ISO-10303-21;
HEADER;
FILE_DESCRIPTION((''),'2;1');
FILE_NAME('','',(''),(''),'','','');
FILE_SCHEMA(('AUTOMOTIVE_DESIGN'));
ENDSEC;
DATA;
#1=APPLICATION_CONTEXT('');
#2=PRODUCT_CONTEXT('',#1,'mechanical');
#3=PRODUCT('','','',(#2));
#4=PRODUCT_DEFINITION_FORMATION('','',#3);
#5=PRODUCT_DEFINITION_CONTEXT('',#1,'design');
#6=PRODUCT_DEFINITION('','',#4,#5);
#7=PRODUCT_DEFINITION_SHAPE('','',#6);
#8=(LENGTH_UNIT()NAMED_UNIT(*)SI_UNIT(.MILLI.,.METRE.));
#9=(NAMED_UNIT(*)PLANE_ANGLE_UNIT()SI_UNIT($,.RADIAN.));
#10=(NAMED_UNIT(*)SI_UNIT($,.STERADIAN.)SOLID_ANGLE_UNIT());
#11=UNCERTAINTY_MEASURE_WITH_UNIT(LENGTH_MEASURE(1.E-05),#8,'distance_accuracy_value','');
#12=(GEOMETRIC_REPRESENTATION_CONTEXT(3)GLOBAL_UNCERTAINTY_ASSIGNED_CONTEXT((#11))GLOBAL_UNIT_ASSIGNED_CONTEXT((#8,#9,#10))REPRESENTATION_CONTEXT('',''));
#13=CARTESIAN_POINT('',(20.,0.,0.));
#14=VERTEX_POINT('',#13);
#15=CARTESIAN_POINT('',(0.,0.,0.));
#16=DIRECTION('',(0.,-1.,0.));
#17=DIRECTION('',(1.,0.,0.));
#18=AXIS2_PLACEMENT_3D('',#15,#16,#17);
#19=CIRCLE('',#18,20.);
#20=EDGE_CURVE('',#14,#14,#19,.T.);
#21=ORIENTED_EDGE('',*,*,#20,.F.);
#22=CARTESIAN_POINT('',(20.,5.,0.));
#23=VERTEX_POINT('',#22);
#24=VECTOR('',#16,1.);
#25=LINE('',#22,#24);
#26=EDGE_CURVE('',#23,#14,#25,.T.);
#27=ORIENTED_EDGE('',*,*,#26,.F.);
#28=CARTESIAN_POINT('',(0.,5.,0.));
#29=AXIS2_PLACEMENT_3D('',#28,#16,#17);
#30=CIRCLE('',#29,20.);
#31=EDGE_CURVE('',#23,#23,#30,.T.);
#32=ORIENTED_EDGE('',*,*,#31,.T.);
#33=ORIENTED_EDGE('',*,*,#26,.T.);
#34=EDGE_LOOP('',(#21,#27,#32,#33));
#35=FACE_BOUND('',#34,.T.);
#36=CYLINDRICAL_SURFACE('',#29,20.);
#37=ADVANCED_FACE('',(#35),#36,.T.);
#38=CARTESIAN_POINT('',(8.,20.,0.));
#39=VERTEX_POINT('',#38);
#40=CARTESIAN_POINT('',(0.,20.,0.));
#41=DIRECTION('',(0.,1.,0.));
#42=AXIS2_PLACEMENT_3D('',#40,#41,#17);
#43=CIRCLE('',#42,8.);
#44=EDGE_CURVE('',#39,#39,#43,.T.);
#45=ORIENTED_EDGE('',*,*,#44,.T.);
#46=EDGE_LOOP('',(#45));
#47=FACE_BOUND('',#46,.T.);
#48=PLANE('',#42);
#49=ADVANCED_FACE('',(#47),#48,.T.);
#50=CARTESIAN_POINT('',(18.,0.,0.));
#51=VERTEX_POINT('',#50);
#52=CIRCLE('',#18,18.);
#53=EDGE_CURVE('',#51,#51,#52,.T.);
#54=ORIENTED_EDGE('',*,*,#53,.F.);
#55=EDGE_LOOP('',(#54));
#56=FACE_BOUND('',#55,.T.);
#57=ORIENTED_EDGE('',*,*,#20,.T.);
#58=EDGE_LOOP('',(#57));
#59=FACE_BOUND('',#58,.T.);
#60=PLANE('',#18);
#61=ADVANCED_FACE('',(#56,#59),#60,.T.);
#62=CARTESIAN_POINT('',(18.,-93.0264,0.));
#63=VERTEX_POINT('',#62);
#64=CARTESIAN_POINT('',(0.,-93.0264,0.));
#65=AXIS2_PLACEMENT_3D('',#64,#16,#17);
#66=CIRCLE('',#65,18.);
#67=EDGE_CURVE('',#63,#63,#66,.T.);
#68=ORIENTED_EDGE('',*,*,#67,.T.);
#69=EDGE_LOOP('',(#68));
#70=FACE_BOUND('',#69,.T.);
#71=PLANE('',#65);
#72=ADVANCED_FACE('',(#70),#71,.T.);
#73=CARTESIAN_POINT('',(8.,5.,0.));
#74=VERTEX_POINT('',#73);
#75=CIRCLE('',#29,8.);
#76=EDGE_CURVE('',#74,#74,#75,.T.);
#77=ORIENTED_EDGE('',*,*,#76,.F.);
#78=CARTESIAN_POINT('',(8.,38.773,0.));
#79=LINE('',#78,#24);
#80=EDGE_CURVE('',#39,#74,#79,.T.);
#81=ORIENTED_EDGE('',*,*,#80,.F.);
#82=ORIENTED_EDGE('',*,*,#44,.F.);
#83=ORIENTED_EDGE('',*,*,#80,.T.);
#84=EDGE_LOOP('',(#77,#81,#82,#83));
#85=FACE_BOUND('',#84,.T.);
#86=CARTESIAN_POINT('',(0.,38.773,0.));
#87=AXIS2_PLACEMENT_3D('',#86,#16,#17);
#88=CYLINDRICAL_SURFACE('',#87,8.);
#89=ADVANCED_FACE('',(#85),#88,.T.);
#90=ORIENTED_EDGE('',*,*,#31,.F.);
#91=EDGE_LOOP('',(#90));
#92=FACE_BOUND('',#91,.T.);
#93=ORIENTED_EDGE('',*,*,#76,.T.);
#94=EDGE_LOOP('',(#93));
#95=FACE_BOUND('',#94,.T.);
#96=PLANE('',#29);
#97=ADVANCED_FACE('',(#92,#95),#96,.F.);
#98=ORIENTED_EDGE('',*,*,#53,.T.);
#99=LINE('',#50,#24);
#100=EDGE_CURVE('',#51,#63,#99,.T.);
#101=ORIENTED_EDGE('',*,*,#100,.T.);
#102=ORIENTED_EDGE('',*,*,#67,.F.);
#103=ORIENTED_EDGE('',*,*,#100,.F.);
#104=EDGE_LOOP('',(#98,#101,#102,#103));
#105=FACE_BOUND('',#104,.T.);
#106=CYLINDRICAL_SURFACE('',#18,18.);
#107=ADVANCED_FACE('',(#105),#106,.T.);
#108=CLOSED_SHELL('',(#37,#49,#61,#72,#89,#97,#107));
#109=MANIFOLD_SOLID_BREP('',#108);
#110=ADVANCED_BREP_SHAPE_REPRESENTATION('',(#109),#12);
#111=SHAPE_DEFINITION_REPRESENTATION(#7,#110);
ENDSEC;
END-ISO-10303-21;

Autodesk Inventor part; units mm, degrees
sketch "Skizze_1" plane through (0, 0, 0) normal (0, 0, 1) x (1, 0, 0)
  line L0 (0, 40) -> (6.773, 40)
  line L1 (6.773, 40) -> (8, 38.773)
  line L2 (8, 38.773) -> (8, 5)
  line L3 (8, 5) -> (20, 5)
  line L4 (20, 5) -> (20, 0)
  line L5 (20, 0) -> (18, 0)
  line L6 (18, 0) -> (18, -93.0264)
  line L7 (18, -93.0264) -> (0, -93.0264)
  line L8 (0, -93.0264) -> (0, 40)
revolve "Revolution1" add sketch "Skizze_1" angle 360 about axis through (0, -93.0264, 0) along (0, -1, 0)
thread "Thread1" size "M16x2" class "6g" standard "ISO Metric profile" full length
sketch "Skizze_2" plane through (0, 40, 0) normal (0, 1, 0) x (1, 0, 0)
  line L0 (-4, -2.3094) -> (0, -4.6188)
  line L1 (0, -4.6188) -> (4, -2.3094)
  line L2 (4, -2.3094) -> (4, 2.3094)
  line L3 (4, 2.3094) -> (0, 4.6188)
  line L4 (0, 4.6188) -> (-4, 2.3094)
  line L5 (-4, 2.3094) -> (-4, -2.3094)
extrude "Extrusion1" cut sketch "Skizze_2" against normal blind 12.4
ref_plane "EPHUB_XY" through (0, 5, 0) normal (0, 1, 0) x (1, 0, 0)
ref_plane "EPHUB_YZ" through (0, 5, 0) normal (1, 0, 0) x (0, 0, -1)
ref_plane "EPHUB_ZX" through (0, 5, 0) normal (0, 0, -1) x (0, 1, 0)
ref_plane "EPZAPFEN_XY" through (0, 0, 0) normal (0, 1, 0) x (1, 0, 0)
ref_plane "EPZAPFEN_YZ" through (0, 0, 0) normal (1, 0, 0) x (0, 0, -1)
ref_plane "EPZAPFEN_ZX" through (0, 0, 0) normal (0, 0, -1) x (0, 1, 0)
sketch "Boceto3" plane through (0, 5, 0) normal (0, 1, 0) x (1, 0, 0)
  point P0 (0, 0)
sketch "Boceto4" plane through (0, 40, 0) normal (0, 1, 0) x (1, 0, 0)
  circle A0 centre (0, 0) radius 8
  dimension "d7" = 16
extrude "Extrusión2" cut sketch "Boceto4" against normal blind 20
properties part number "LZ80_Zapfen"
